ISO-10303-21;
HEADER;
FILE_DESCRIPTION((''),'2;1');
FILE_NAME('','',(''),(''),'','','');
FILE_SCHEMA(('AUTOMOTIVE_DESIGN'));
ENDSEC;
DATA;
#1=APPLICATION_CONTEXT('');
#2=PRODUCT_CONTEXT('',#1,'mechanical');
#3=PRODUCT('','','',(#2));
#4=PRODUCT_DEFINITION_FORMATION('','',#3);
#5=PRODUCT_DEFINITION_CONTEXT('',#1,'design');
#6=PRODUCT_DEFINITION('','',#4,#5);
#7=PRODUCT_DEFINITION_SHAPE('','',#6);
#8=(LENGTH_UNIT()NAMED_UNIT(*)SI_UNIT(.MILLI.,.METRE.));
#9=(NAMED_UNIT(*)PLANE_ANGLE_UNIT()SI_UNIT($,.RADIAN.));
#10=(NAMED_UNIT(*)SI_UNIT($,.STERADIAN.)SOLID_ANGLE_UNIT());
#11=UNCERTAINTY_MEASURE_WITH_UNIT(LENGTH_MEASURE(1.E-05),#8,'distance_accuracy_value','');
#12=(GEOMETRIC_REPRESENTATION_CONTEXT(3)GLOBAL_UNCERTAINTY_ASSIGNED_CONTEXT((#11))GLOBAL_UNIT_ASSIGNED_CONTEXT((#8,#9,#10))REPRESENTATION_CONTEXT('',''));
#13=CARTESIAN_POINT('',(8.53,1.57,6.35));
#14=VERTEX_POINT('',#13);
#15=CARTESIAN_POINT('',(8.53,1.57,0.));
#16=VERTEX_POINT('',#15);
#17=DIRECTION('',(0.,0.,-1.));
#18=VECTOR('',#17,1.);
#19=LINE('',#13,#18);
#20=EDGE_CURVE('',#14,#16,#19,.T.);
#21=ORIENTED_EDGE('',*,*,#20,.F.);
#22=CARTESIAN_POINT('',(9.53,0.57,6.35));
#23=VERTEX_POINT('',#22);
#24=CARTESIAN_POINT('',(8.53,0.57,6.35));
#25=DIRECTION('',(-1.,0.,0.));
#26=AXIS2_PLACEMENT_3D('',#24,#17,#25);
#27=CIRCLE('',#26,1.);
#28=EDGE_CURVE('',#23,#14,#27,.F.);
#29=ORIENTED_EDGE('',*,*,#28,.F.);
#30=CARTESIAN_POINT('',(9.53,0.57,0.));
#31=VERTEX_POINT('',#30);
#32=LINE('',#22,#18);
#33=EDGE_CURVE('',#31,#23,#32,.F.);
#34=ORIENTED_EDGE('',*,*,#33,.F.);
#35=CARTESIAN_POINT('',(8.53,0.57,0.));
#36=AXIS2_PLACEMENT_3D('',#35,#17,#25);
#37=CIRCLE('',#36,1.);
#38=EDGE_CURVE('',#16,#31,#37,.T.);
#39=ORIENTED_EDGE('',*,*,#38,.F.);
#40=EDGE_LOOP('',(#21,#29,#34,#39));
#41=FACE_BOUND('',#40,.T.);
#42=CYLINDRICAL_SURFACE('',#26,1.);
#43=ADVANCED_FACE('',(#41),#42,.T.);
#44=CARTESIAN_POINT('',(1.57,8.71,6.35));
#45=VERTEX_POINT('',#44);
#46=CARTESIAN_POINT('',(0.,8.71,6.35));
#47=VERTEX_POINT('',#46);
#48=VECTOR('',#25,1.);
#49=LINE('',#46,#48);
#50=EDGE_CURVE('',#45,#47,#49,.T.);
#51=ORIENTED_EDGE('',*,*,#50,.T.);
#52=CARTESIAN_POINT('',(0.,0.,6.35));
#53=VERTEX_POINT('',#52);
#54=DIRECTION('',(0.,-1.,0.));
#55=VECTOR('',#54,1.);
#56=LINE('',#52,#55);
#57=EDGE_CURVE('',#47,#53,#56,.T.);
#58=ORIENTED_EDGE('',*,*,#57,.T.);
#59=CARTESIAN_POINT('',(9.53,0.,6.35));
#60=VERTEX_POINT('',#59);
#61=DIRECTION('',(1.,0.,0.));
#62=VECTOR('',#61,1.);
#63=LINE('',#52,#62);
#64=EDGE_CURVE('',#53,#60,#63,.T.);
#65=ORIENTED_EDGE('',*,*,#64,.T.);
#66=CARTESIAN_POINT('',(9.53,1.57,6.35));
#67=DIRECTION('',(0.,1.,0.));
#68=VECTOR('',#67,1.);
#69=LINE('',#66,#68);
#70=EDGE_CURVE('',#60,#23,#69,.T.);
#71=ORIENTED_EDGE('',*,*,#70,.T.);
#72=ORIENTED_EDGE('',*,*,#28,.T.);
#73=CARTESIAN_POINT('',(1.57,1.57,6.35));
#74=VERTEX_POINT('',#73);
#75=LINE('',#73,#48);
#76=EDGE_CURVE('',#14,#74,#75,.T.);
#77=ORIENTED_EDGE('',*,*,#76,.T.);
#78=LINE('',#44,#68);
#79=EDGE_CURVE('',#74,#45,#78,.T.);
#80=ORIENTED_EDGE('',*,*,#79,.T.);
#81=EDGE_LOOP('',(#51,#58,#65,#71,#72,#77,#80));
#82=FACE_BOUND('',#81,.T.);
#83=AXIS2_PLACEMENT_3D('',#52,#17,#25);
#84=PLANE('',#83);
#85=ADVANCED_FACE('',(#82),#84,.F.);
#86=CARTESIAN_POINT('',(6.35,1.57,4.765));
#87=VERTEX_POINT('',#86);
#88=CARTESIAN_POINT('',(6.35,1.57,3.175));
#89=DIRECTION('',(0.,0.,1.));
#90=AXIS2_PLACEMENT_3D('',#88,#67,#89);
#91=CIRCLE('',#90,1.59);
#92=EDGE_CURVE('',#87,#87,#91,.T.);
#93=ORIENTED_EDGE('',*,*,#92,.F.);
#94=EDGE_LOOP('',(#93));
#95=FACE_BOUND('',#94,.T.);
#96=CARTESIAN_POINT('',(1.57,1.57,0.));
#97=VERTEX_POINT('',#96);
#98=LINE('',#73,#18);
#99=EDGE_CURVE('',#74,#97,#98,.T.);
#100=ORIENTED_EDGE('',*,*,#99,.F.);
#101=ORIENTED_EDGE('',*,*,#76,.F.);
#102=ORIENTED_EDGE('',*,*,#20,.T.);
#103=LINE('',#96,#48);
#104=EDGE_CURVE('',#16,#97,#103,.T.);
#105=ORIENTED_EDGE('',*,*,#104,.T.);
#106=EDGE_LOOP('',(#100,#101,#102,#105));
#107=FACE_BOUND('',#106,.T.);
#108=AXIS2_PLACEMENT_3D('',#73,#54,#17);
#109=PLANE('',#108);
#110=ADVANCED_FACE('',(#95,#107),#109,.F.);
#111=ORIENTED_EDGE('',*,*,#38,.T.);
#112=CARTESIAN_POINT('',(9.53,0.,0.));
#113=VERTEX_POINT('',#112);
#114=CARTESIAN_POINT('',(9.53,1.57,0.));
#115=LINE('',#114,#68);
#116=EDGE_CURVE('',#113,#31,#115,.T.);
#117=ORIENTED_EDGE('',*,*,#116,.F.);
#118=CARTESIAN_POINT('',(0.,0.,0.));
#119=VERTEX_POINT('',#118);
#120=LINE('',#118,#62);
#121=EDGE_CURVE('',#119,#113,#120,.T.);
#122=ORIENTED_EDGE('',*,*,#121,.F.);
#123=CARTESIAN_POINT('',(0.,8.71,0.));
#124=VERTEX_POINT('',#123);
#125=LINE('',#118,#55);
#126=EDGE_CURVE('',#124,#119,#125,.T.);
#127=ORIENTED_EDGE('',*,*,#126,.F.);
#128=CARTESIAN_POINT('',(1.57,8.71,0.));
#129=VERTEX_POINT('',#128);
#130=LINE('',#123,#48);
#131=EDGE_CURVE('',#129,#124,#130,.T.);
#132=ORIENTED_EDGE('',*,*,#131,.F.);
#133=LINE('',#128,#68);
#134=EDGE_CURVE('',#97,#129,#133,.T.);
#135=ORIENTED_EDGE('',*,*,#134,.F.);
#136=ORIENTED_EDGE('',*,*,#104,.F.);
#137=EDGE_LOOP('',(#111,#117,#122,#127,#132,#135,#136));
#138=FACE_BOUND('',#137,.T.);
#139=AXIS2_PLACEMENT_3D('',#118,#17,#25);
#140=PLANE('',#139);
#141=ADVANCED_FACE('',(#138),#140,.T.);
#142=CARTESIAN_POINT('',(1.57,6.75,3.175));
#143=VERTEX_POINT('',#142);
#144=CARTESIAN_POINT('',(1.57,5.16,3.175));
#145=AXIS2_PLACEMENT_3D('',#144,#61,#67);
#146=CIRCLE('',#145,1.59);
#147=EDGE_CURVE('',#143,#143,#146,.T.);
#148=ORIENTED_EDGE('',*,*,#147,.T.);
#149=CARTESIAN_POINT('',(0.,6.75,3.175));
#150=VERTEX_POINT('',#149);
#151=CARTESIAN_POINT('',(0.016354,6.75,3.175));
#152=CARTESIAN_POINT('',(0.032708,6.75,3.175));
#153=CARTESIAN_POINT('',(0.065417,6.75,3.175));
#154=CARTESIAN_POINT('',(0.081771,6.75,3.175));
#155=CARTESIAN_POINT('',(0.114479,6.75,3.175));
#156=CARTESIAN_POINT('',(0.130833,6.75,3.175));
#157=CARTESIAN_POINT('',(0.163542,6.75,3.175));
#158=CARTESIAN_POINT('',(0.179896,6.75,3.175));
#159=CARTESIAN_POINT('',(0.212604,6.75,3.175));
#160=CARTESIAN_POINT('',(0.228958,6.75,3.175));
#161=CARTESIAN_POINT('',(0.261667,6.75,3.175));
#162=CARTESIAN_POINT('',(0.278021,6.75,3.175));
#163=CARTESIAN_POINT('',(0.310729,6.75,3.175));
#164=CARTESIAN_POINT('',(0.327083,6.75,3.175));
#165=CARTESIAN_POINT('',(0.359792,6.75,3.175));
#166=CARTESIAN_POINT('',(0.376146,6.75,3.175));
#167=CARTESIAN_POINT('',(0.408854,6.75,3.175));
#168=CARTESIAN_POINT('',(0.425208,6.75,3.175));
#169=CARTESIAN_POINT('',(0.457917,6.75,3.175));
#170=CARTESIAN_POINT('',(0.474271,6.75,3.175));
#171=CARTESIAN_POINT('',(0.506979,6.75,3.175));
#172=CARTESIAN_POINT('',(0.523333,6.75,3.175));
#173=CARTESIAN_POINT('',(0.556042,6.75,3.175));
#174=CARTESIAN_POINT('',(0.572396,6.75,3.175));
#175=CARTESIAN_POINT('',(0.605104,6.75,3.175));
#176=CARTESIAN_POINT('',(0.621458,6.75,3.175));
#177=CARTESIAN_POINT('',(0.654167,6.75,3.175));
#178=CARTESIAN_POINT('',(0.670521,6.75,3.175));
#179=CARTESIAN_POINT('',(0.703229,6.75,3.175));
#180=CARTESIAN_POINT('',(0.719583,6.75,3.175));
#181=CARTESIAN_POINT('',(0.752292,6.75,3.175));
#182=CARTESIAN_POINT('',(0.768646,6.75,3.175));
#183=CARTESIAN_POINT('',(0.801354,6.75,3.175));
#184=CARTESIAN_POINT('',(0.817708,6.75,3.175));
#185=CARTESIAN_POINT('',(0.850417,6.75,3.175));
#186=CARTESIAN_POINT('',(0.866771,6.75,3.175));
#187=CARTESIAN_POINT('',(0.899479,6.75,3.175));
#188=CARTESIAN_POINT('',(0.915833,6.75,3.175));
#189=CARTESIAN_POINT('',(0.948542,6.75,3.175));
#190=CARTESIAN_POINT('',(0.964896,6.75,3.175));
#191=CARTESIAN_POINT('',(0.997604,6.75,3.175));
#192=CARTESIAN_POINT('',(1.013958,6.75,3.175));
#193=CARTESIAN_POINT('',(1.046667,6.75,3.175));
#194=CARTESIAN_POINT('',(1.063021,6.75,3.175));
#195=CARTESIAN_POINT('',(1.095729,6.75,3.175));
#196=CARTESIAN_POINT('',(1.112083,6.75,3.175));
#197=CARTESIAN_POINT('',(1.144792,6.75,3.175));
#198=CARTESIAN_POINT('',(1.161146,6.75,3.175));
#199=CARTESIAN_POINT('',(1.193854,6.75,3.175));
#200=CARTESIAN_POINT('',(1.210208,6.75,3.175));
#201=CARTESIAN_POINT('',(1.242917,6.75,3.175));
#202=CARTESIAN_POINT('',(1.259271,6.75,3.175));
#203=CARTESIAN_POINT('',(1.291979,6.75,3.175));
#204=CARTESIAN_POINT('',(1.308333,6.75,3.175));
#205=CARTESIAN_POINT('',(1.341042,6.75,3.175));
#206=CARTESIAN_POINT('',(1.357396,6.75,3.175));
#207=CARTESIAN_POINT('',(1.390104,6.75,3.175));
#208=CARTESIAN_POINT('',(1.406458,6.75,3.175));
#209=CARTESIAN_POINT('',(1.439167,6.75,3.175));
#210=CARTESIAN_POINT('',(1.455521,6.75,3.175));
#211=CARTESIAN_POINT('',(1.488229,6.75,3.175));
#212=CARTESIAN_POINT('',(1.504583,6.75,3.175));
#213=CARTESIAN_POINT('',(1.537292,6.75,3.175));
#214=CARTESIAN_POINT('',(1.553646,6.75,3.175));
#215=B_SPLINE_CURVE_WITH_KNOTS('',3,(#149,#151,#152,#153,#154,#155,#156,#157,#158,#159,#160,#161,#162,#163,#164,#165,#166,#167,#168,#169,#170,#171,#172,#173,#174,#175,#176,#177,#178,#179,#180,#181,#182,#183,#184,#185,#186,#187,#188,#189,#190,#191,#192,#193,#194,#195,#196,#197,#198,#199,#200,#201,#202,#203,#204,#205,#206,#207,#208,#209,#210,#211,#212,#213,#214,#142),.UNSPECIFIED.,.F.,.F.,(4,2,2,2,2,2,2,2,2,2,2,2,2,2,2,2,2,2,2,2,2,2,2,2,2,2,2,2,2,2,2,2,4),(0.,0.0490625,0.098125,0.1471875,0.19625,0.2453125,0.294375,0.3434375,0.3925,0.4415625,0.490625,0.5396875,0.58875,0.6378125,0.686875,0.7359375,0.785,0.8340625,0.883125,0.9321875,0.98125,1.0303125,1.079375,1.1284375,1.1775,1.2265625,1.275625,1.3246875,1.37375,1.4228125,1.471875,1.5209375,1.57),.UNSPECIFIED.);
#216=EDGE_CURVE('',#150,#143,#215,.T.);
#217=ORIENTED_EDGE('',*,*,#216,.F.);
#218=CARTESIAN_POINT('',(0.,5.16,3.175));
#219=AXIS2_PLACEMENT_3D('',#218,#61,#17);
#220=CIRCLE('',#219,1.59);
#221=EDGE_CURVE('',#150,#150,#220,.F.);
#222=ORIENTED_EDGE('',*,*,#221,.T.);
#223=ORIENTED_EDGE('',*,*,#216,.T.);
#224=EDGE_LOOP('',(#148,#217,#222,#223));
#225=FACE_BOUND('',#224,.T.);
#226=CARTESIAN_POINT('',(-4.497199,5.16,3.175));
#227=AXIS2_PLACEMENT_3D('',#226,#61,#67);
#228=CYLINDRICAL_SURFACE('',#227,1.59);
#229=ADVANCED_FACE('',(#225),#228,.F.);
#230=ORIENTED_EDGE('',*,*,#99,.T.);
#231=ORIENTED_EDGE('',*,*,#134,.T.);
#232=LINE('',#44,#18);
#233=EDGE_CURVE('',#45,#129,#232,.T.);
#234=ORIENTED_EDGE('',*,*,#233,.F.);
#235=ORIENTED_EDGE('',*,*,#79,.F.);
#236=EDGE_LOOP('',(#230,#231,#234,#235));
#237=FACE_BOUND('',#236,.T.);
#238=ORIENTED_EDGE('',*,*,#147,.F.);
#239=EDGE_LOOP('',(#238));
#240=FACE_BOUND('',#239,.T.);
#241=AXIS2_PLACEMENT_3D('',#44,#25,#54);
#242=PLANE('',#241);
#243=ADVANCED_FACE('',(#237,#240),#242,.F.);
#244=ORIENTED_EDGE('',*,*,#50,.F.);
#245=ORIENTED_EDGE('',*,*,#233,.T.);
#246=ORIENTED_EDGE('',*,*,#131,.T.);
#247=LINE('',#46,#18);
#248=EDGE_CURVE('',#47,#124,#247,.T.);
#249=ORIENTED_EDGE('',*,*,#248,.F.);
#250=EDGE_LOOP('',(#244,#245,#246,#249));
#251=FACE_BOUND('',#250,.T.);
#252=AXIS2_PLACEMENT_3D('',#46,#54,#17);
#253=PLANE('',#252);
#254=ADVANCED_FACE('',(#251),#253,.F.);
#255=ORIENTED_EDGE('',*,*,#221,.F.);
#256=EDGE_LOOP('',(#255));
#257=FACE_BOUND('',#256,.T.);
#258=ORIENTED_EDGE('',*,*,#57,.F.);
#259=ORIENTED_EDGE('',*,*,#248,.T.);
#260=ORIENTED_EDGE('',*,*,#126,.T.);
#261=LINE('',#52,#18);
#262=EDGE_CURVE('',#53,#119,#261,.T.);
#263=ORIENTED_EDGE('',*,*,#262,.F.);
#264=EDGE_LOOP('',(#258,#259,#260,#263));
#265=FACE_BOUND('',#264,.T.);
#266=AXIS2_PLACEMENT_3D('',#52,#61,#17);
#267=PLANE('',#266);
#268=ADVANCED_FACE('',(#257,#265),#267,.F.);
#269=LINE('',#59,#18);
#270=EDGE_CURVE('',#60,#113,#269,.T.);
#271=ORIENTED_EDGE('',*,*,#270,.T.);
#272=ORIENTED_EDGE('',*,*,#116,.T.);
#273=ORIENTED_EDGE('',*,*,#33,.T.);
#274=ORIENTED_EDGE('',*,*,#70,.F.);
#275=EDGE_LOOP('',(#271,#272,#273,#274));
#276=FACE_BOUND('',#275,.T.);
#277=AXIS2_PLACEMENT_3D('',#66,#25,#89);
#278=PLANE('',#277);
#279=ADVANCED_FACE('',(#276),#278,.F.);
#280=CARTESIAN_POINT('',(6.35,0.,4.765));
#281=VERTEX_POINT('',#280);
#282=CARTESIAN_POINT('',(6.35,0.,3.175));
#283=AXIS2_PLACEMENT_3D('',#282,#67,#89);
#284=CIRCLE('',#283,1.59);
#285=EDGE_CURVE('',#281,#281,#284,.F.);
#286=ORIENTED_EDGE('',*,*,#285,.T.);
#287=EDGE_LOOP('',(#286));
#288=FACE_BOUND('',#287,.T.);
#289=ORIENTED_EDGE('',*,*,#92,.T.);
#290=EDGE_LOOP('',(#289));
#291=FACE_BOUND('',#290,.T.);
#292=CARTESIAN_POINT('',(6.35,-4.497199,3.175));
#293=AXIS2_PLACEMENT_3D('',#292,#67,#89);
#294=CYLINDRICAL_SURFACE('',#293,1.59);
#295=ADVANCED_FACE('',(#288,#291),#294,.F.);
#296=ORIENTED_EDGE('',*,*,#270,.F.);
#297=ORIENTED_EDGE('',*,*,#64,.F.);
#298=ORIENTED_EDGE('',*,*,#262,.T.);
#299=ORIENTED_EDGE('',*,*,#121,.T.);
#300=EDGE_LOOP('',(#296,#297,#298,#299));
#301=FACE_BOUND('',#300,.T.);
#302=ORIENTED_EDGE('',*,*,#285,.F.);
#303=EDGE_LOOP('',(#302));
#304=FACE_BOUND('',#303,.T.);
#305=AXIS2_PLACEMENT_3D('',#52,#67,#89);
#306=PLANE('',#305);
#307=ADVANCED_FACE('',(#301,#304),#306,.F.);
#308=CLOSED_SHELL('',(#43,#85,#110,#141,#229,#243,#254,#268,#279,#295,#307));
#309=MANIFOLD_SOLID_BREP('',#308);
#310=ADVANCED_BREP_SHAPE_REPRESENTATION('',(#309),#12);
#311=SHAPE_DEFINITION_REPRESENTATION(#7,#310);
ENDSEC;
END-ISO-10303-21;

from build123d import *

# Parameters (mm, degrees)
BOSS_EXTRUDE1_DEPTH = 6.35
SKETCH2_R           = 1.59
CUT_EXTRUDE1_DEPTH  = 1.57
SKETCH3_R           = 1.59
CUT_EXTRUDE2_DEPTH  = 1.57
FILLET1_R           = 1


with BuildPart() as part:
    # Sketch1 → Boss-Extrude1 (new body)
    with BuildSketch(Plane.XY):
        Polygon((0, 8.71), (1.57, 8.71), (1.57, 1.57), (9.53, 1.57), (9.53, 0), (0, 0), align=None)
    extrude(amount=BOSS_EXTRUDE1_DEPTH)

    # Sketch2 → Cut-Extrude1 (cut)
    with BuildSketch(Plane(origin=(0, 1.57, 0), x_dir=(1, 0, 0), z_dir=(0, 1, 0))):
        with Locations(Location((6.35, -3.175, 0), (0, 0, 270))):
            Circle(SKETCH2_R)
    extrude(amount=-CUT_EXTRUDE1_DEPTH, mode=Mode.SUBTRACT)

    # Sketch3 → Cut-Extrude2 (cut)
    with BuildSketch(Plane(origin=(1.57, 0, 0), x_dir=(0, 0, -1), z_dir=(1, 0, 0))):
        with Locations(Location((-3.175, 5.16, 0), (0, 0, 90))):
            Circle(SKETCH3_R)
    extrude(amount=-CUT_EXTRUDE2_DEPTH, mode=Mode.SUBTRACT)

    # Fillet1
    fillet1_edges = [part.edges().sort_by_distance(p)[0] for p in [
        (9.53, 1.57, 3.175),
    ]]
    fillet(fillet1_edges, radius=FILLET1_R)


solid = part.part
